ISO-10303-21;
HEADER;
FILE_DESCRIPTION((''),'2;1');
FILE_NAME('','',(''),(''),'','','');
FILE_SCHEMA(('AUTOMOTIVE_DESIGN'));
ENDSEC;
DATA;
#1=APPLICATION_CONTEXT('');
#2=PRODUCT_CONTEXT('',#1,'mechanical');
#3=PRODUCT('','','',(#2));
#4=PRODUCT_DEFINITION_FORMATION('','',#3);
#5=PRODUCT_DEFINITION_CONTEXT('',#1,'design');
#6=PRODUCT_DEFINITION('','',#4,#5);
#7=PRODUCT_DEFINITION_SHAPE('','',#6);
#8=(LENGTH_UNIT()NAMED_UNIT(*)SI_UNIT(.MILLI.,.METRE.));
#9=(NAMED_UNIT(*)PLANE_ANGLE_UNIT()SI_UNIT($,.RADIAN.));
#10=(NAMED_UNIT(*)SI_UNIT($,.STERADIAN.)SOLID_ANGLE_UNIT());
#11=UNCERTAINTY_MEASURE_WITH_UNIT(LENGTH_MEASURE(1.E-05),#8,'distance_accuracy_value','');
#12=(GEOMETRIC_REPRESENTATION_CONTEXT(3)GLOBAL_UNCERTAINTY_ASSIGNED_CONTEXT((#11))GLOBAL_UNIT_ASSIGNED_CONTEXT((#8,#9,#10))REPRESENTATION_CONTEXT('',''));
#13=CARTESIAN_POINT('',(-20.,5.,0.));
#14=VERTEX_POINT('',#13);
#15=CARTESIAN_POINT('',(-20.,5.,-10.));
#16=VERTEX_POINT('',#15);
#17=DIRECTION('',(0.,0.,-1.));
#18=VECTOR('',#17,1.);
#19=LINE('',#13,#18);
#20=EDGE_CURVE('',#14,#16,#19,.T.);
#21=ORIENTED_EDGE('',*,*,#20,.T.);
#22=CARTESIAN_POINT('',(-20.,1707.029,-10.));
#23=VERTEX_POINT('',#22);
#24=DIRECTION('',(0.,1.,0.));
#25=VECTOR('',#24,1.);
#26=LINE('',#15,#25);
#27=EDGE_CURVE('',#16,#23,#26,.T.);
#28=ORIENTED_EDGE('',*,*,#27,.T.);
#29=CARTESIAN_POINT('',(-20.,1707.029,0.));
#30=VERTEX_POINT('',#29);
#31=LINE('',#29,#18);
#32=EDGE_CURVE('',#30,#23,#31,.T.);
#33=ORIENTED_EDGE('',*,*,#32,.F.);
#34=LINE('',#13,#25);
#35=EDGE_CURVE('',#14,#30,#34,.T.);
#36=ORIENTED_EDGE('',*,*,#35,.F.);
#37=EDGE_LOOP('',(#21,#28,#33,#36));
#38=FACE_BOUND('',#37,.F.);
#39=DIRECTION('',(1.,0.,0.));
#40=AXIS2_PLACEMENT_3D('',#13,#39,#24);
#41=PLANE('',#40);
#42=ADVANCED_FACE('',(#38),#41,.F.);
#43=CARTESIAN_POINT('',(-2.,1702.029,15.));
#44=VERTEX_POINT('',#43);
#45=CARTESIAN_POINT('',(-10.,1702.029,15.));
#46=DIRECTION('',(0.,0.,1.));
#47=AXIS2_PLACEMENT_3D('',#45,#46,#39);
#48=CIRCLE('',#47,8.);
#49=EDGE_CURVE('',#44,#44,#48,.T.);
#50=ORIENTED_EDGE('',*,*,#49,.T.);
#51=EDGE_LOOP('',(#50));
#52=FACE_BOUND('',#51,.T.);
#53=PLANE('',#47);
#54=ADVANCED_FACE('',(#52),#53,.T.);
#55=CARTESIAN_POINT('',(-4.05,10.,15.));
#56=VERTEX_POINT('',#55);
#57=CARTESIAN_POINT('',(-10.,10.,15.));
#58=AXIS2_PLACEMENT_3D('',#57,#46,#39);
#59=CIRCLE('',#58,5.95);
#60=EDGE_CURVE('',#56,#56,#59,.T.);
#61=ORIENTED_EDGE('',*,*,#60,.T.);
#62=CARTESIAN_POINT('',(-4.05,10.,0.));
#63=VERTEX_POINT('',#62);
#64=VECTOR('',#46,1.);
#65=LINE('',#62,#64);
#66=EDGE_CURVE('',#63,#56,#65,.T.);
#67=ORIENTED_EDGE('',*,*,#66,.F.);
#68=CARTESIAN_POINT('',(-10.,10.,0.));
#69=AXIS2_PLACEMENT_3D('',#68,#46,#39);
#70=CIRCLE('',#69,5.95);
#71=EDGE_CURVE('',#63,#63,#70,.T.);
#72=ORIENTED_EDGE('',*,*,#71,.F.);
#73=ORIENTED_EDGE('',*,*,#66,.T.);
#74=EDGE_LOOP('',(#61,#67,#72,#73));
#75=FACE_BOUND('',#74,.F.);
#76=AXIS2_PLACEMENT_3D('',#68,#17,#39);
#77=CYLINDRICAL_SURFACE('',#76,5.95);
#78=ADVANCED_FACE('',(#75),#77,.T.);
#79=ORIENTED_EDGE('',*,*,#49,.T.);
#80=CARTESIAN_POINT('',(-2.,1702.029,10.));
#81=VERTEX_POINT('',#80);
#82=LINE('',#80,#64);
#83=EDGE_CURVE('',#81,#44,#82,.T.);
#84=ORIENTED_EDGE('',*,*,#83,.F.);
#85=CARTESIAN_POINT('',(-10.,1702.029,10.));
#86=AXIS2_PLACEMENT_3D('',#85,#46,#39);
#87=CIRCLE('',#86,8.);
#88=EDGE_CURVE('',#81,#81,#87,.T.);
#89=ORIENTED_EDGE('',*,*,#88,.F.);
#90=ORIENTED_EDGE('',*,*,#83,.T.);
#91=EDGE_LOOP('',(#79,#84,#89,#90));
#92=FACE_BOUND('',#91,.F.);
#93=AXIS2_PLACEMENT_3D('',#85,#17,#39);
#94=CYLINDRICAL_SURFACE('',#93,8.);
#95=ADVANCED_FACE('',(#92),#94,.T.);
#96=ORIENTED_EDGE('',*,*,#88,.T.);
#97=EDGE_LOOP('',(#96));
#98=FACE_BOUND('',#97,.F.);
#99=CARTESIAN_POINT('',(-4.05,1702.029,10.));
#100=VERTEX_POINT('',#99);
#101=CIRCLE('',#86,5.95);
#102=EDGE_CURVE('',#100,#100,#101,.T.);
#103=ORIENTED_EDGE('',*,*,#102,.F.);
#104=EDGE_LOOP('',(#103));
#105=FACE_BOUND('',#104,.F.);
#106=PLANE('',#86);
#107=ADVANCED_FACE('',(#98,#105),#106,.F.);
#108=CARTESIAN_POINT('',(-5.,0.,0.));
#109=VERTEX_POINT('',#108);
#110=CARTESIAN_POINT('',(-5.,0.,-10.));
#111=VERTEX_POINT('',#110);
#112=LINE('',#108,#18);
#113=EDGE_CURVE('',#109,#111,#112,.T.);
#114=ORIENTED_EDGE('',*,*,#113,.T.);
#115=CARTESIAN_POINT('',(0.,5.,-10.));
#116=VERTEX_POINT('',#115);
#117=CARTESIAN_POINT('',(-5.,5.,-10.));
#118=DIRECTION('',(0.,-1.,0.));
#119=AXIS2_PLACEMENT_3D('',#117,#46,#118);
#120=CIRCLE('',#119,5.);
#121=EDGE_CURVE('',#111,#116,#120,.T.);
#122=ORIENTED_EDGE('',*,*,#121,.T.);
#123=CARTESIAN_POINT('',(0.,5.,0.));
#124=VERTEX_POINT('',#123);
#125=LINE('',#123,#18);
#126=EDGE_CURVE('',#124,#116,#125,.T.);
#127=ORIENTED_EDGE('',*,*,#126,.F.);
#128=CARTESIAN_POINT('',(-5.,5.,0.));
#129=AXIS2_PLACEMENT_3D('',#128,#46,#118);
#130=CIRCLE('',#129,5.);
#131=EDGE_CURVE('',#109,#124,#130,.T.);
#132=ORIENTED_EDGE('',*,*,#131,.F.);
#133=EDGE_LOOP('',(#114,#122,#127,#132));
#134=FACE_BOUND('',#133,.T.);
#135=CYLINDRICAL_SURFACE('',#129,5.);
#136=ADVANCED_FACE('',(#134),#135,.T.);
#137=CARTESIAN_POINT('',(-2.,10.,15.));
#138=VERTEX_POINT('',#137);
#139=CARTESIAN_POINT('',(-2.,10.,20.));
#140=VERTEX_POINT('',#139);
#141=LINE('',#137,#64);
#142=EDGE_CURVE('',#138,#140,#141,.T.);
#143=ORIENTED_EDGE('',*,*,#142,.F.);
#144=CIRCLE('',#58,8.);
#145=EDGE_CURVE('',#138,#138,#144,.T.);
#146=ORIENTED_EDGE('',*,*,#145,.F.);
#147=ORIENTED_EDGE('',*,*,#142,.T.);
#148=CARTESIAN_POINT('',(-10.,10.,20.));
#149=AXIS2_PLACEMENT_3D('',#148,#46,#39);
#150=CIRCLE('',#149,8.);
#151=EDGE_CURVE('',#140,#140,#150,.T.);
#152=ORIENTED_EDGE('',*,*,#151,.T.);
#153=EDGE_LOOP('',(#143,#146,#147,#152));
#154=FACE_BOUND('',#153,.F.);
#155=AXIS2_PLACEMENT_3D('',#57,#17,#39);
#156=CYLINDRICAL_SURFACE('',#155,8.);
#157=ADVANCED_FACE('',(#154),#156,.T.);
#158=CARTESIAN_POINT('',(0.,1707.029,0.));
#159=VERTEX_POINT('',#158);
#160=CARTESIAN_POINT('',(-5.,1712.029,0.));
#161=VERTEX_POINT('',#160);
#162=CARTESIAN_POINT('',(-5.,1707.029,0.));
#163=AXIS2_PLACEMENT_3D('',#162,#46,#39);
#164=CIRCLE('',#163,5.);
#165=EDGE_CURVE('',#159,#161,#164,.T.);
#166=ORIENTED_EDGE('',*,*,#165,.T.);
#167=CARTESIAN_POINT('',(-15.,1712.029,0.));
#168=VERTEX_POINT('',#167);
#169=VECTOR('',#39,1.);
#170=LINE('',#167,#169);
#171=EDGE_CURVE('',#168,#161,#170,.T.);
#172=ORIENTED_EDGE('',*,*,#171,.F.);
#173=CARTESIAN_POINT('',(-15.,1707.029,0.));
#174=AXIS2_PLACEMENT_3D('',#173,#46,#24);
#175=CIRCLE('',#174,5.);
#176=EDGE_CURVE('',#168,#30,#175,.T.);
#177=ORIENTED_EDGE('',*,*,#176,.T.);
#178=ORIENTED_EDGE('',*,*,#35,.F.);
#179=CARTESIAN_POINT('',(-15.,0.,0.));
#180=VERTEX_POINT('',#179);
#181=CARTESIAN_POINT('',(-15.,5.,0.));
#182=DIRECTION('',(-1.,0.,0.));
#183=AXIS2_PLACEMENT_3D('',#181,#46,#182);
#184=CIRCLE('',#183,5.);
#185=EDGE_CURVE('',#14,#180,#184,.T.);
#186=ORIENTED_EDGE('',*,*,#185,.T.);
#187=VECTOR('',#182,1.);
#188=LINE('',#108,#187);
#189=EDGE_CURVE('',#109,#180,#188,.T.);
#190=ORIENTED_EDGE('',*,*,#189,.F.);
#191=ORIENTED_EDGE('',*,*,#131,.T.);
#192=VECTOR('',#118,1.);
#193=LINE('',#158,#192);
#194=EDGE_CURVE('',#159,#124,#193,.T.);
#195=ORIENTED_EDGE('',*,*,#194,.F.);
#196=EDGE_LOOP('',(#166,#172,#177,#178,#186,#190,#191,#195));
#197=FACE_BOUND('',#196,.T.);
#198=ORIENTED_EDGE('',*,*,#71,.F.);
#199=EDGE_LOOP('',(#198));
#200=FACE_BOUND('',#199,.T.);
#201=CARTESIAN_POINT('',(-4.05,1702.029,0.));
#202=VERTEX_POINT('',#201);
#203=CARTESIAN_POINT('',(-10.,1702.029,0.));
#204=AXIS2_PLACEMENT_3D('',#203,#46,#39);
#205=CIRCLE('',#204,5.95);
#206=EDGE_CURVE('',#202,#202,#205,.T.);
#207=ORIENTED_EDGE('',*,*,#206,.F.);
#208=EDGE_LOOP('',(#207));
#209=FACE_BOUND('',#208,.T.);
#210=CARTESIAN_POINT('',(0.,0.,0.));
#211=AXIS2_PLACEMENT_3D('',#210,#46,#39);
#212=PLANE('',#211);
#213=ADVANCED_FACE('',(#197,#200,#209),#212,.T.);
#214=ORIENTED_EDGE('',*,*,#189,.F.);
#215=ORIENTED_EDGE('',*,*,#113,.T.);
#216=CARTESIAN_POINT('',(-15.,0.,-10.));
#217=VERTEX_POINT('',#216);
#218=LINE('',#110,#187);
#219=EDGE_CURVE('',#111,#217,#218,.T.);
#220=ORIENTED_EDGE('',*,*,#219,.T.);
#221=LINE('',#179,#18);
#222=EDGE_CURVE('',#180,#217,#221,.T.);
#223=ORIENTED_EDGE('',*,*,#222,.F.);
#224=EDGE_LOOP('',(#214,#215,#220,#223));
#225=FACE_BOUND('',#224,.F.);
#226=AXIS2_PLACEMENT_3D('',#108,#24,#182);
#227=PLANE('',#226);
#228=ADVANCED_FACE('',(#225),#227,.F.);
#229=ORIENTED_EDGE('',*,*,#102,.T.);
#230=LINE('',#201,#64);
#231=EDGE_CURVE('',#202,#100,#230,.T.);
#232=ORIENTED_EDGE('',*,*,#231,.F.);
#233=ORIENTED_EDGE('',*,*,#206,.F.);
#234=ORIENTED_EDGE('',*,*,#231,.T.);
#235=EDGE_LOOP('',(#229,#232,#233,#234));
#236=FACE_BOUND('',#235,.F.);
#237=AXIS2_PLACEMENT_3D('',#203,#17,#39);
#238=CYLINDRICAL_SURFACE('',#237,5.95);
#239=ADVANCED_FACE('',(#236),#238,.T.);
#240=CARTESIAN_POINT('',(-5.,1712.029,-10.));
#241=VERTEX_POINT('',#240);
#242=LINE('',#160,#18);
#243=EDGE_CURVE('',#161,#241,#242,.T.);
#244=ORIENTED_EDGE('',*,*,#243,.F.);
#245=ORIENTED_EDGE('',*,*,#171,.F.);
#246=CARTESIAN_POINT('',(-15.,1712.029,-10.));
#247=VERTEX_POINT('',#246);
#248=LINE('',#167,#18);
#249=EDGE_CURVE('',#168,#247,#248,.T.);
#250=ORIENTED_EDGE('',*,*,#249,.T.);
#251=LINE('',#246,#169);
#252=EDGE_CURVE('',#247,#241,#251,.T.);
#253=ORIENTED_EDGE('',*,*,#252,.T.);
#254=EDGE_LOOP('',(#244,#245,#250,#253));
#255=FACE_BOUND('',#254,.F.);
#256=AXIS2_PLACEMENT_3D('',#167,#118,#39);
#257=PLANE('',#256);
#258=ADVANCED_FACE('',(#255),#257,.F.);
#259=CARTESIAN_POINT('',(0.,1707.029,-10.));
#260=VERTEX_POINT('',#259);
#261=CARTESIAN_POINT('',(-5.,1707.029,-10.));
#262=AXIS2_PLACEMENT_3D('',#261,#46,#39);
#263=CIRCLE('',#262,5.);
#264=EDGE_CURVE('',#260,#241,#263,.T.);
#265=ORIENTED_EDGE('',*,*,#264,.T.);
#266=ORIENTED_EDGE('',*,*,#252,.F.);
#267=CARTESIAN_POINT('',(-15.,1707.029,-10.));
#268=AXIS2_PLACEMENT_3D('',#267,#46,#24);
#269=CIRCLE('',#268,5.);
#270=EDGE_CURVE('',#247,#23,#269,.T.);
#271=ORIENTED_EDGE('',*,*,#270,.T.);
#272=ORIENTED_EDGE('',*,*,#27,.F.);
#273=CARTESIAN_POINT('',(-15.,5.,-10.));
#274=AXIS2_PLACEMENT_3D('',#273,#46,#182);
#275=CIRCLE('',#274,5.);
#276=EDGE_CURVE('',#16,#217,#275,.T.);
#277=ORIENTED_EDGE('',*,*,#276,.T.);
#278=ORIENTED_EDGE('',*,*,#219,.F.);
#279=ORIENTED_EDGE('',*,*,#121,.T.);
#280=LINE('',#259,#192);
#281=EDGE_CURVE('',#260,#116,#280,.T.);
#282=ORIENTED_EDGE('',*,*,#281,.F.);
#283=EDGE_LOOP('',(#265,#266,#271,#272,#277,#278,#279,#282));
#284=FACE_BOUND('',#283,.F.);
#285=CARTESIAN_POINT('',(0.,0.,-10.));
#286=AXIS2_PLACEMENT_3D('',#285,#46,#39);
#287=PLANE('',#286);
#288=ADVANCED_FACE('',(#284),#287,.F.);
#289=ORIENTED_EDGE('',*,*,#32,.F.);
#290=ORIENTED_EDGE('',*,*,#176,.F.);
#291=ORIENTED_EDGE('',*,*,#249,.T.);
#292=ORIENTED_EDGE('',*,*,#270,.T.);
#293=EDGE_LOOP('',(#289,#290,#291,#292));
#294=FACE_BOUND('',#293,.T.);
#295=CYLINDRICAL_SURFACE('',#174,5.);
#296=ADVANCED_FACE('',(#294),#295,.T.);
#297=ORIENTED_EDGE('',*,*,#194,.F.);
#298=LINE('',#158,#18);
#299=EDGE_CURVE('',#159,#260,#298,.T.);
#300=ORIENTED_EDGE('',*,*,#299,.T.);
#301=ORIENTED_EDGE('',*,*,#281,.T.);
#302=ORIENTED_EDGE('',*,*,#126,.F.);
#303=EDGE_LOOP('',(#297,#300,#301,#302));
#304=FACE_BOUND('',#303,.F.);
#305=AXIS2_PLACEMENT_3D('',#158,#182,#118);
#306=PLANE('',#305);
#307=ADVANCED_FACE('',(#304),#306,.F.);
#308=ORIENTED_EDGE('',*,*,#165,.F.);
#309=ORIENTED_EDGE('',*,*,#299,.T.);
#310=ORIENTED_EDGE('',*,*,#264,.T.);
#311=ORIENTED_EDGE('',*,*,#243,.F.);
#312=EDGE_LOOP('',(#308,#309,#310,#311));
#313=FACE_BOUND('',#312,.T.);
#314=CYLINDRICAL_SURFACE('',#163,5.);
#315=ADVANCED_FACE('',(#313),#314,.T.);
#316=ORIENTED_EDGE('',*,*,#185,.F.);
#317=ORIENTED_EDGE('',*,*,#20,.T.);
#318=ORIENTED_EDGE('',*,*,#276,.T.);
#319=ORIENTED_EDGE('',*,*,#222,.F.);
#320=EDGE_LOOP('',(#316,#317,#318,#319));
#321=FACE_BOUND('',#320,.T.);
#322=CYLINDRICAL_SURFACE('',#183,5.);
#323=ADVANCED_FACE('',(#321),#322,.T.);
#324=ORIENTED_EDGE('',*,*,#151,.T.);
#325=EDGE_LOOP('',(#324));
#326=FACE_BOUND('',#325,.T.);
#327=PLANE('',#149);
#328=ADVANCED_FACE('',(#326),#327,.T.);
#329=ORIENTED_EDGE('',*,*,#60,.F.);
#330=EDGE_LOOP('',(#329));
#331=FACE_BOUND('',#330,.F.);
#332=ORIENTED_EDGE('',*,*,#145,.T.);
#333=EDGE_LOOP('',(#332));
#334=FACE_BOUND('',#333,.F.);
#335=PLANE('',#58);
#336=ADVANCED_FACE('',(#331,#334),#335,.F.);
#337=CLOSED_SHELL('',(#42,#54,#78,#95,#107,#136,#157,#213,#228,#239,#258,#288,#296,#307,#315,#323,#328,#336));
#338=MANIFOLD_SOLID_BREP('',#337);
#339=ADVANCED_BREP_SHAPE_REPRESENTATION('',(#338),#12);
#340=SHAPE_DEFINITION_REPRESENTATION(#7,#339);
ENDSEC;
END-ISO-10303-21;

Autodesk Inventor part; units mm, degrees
ref_plane "YZ Plane" through (0, 0, 0) normal (1, 0, 0) x (0, 1, 0)
ref_plane "XZ Plane" through (0, 0, 0) normal (0, 1, 0) x (-1, 0, 0)
ref_plane "XY Plane" through (0, 0, 0) normal (0, 0, 1) x (1, 0, 0)
sketch "Skizze1" plane through (0, 0, 0) normal (0, 0, 1) x (1, 0, 0)
  line L0 (-15, 1712.029) -> (-5, 1712.029)
  line L1 (0, 1707.029) -> (0, 5)
  line L2 (-5, 0) -> (-15, 0)
  line L3 (-20, 5) -> (-20, 1707.029)
  circle A0 centre (-10, 10) radius 5.95
  circle A1 centre (-10, 1702.029) radius 5.95
  arc A2 (-15, 1712.029) -> (-20, 1707.029) centre (-15, 1707.029) ccw
  arc A3 (0, 1707.029) -> (-5, 1712.029) centre (-5, 1707.029) ccw
  arc A4 (-20, 5) -> (-15, 0) centre (-15, 5) ccw
  arc A5 (-5, 0) -> (0, 5) centre (-5, 5) ccw
  point P0 (0, 0)
  point P1 (-20, 1712.029)
  point P2 (0, 1712.029)
  dimension "d0" = 20
  dimension "d2" = 11.9
  dimension "d3" = 10
  dimension "d4" = 10
  dimension "d5" = 11.9
  dimension "d6" = 10
  dimension "d7" = 1692.029
  dimension "d8" = 10
  dimension "d9" = 5
extrude "Extrusion1" add sketch "Skizze1" against normal blind 10 contours L0 A3 L1 A5 L2 A4 L3 A2 | A0 | A1
extrude "Extrusion2" add sketch "Skizze1" along normal blind 10 contours A1
sketch "Skizze2" plane through (-10, 1702.029, 10) normal (0, 0, 1) x (1, 0, 0)
  circle A0 centre (0, 0) radius 8
  point P0 (10, -1702.029)
  dimension "d14" = 16
extrude "Extrusion3" add sketch "Skizze2" along normal blind 5
extrude "Extrusion4" add sketch "Skizze1" along normal blind 15 contours A0
sketch "Skizze3" plane through (-10, 10, 15) normal (0, 0, 1) x (1, 0, 0)
  circle A0 centre (0, 0) radius 8
  point P0 (10, -10)
  dimension "d19" = 16
extrude "Extrusion5" add sketch "Skizze3" along normal blind 5
properties part number "Lenkung_verbindung"
